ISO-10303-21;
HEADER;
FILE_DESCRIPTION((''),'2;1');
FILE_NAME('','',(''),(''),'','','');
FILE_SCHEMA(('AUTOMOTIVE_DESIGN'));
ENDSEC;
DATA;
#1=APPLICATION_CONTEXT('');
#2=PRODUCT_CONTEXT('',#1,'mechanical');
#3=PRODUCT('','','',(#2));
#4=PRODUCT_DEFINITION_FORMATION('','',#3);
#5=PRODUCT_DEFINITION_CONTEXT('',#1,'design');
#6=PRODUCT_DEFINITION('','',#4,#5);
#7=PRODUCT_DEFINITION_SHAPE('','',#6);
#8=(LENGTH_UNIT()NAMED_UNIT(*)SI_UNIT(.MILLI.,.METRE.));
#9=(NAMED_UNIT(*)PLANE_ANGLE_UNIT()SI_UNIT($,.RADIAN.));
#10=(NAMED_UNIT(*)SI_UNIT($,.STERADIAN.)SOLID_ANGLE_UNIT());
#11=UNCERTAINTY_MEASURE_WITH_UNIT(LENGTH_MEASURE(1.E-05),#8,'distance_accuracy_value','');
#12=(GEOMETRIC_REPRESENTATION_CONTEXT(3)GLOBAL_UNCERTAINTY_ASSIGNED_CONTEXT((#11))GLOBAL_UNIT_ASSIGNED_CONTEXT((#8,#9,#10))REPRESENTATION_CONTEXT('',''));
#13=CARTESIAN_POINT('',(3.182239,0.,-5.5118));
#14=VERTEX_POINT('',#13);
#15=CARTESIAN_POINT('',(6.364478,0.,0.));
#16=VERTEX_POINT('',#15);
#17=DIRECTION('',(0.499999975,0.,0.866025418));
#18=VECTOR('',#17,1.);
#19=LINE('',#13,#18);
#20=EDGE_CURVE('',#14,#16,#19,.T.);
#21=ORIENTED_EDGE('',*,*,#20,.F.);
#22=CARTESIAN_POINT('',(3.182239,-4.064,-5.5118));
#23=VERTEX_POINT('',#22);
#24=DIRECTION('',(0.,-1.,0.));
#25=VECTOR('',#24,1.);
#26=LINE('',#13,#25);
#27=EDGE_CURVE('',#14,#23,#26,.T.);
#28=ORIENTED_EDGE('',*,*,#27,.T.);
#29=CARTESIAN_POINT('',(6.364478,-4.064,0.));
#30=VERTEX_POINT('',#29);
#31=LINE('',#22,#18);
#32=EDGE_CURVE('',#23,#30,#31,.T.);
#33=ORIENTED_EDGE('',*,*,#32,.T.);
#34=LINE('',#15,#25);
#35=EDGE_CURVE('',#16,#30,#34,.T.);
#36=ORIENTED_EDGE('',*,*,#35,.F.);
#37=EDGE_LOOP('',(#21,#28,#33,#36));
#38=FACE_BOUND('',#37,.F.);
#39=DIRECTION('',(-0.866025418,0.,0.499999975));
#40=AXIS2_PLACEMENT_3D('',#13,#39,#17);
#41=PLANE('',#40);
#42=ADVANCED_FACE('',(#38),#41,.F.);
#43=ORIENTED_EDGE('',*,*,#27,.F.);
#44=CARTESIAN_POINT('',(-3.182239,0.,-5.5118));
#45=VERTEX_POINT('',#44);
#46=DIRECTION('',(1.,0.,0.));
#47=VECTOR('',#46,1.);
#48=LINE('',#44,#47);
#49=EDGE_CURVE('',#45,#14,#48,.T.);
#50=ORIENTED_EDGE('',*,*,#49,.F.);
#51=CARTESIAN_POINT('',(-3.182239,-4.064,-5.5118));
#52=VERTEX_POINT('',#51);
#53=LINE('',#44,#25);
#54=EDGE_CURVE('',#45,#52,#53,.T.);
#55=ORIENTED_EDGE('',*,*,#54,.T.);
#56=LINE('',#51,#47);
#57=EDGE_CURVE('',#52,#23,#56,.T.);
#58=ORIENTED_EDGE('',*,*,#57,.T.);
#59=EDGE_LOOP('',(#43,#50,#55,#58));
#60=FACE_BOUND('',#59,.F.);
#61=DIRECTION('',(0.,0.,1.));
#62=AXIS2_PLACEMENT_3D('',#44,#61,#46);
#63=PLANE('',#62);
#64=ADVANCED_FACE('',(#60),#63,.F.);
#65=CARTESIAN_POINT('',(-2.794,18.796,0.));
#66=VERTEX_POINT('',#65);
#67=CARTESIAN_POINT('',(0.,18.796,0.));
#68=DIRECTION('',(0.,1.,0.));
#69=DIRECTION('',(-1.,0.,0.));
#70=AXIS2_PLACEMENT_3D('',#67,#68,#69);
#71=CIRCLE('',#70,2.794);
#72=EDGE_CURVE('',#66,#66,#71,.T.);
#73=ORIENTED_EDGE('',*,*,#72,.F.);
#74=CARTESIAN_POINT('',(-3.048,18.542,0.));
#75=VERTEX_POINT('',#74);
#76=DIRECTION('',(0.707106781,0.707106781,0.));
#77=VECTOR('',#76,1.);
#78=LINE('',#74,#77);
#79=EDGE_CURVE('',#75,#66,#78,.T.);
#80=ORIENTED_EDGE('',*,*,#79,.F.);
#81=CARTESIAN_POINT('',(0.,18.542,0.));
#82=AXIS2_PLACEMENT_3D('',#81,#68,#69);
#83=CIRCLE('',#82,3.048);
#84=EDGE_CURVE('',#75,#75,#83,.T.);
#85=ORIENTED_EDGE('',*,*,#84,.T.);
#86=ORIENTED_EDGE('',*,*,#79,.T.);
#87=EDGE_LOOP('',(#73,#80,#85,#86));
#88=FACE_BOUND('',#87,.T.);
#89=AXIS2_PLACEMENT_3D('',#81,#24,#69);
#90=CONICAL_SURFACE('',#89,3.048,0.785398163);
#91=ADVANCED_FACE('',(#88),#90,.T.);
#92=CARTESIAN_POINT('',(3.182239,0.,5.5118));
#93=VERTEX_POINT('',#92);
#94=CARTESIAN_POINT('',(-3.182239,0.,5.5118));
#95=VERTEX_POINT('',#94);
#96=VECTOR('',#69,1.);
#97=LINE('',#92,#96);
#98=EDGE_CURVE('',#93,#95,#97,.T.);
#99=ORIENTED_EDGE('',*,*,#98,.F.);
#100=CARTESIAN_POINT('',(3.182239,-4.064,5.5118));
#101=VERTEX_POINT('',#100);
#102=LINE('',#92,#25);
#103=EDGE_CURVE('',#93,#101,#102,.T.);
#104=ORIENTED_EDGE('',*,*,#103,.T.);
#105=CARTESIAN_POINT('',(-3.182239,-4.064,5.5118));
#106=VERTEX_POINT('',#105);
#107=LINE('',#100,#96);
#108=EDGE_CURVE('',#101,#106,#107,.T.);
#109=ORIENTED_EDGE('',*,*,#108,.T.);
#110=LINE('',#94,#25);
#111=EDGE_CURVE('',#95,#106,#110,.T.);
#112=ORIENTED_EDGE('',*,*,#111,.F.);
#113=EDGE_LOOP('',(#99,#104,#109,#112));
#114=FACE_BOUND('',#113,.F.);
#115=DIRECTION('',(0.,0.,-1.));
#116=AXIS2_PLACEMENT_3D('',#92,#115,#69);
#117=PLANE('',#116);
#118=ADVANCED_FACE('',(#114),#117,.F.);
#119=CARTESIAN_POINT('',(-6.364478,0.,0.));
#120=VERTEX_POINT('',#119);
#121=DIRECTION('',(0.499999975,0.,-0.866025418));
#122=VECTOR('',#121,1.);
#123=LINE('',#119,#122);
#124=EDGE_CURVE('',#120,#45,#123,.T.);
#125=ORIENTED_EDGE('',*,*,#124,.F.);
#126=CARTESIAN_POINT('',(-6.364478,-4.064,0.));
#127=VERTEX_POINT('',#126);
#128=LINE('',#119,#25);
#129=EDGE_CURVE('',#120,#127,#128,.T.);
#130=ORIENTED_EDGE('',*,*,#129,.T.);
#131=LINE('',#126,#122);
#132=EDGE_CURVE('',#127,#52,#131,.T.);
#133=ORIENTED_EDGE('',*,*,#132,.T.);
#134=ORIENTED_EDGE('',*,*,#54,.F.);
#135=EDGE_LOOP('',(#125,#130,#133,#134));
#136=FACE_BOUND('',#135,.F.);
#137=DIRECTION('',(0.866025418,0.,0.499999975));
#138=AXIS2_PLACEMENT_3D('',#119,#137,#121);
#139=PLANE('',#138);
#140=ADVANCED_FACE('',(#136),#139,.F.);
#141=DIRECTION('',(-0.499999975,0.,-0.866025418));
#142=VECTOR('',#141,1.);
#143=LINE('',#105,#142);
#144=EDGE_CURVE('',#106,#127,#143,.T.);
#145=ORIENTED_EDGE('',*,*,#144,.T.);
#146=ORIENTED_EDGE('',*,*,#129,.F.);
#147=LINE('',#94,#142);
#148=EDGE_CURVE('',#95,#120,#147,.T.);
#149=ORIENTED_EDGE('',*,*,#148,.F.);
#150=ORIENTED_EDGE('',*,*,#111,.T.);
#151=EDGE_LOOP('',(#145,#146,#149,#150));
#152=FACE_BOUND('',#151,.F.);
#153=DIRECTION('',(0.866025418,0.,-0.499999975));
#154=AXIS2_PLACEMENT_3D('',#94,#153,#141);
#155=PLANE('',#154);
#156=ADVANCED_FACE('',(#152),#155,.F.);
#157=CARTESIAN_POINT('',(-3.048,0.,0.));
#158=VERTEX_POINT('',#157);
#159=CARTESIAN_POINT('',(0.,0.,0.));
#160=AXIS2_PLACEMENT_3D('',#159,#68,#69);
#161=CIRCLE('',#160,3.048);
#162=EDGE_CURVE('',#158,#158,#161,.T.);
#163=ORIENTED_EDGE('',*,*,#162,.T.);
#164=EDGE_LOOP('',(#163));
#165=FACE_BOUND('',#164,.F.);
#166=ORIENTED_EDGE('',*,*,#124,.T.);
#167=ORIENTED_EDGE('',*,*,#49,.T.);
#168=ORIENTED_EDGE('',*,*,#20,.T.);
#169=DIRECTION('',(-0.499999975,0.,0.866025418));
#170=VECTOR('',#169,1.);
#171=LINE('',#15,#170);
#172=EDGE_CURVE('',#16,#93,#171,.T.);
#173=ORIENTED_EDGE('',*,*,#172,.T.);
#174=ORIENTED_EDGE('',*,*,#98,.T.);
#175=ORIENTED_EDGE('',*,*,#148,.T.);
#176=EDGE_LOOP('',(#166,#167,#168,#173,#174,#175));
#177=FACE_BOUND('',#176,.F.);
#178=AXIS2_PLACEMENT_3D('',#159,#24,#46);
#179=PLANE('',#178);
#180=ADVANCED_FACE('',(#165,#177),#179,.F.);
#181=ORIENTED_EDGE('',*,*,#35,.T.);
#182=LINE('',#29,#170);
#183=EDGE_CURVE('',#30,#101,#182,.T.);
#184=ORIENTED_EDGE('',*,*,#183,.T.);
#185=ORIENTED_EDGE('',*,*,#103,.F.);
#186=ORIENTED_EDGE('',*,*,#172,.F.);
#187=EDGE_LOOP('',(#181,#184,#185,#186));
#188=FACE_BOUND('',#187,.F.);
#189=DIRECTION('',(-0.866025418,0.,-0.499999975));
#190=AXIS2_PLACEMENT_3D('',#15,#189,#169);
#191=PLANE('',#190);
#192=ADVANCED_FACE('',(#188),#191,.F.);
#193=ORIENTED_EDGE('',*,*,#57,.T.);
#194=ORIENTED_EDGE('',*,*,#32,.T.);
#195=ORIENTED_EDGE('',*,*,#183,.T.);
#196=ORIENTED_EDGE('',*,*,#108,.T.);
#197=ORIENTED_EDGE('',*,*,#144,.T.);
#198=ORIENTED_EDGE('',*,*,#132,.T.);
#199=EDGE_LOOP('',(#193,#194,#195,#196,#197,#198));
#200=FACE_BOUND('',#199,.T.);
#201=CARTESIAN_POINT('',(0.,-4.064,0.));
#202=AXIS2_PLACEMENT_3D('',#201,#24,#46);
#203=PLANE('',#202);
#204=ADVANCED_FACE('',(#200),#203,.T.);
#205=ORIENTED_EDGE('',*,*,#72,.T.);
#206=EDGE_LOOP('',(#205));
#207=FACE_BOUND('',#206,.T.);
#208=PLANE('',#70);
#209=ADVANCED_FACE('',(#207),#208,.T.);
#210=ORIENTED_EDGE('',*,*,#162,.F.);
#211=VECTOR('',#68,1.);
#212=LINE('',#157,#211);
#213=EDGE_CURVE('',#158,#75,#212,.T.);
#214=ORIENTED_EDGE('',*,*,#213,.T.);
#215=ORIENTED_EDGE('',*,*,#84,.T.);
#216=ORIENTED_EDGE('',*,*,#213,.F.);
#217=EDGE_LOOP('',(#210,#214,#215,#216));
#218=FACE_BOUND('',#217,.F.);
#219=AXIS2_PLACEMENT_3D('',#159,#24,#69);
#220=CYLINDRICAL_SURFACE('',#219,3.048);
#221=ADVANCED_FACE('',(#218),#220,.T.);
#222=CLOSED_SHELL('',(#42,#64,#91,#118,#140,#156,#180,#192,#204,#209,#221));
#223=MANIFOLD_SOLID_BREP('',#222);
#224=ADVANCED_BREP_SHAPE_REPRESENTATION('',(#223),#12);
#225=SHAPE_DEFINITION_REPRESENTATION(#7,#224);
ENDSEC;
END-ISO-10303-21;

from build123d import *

# Parameters (mm, degrees)
F1_DEPTH = 4.064
F2_R     = 3.048
F3_DEPTH = 18.796
F4_SIZE  = 0.254


with BuildPart() as f1:
    # F0 (on Front) → F1 (new body)
    with BuildSketch(Plane.XZ):
        Polygon((3.182239, 5.5118), (-3.182239, 5.5118), (-6.364478, 0), (-3.182239, -5.5118), (3.182239, -5.5118), (6.364478, 0), align=None)
    extrude(amount=F1_DEPTH)

    # F2 (on face) → F3 (join)
    with BuildSketch(Plane(origin=(0, 0, 0), x_dir=(-1, 0, 0), z_dir=(0, 1, 0))):
        Circle(F2_R)
    extrude(amount=F3_DEPTH)

    # F4
    f4_edges = [f1.edges().sort_by_distance(p)[0] for p in [
        (3.048, 18.796, 0),
    ]]
    chamfer(f4_edges, length=F4_SIZE)


solid = f1.part
